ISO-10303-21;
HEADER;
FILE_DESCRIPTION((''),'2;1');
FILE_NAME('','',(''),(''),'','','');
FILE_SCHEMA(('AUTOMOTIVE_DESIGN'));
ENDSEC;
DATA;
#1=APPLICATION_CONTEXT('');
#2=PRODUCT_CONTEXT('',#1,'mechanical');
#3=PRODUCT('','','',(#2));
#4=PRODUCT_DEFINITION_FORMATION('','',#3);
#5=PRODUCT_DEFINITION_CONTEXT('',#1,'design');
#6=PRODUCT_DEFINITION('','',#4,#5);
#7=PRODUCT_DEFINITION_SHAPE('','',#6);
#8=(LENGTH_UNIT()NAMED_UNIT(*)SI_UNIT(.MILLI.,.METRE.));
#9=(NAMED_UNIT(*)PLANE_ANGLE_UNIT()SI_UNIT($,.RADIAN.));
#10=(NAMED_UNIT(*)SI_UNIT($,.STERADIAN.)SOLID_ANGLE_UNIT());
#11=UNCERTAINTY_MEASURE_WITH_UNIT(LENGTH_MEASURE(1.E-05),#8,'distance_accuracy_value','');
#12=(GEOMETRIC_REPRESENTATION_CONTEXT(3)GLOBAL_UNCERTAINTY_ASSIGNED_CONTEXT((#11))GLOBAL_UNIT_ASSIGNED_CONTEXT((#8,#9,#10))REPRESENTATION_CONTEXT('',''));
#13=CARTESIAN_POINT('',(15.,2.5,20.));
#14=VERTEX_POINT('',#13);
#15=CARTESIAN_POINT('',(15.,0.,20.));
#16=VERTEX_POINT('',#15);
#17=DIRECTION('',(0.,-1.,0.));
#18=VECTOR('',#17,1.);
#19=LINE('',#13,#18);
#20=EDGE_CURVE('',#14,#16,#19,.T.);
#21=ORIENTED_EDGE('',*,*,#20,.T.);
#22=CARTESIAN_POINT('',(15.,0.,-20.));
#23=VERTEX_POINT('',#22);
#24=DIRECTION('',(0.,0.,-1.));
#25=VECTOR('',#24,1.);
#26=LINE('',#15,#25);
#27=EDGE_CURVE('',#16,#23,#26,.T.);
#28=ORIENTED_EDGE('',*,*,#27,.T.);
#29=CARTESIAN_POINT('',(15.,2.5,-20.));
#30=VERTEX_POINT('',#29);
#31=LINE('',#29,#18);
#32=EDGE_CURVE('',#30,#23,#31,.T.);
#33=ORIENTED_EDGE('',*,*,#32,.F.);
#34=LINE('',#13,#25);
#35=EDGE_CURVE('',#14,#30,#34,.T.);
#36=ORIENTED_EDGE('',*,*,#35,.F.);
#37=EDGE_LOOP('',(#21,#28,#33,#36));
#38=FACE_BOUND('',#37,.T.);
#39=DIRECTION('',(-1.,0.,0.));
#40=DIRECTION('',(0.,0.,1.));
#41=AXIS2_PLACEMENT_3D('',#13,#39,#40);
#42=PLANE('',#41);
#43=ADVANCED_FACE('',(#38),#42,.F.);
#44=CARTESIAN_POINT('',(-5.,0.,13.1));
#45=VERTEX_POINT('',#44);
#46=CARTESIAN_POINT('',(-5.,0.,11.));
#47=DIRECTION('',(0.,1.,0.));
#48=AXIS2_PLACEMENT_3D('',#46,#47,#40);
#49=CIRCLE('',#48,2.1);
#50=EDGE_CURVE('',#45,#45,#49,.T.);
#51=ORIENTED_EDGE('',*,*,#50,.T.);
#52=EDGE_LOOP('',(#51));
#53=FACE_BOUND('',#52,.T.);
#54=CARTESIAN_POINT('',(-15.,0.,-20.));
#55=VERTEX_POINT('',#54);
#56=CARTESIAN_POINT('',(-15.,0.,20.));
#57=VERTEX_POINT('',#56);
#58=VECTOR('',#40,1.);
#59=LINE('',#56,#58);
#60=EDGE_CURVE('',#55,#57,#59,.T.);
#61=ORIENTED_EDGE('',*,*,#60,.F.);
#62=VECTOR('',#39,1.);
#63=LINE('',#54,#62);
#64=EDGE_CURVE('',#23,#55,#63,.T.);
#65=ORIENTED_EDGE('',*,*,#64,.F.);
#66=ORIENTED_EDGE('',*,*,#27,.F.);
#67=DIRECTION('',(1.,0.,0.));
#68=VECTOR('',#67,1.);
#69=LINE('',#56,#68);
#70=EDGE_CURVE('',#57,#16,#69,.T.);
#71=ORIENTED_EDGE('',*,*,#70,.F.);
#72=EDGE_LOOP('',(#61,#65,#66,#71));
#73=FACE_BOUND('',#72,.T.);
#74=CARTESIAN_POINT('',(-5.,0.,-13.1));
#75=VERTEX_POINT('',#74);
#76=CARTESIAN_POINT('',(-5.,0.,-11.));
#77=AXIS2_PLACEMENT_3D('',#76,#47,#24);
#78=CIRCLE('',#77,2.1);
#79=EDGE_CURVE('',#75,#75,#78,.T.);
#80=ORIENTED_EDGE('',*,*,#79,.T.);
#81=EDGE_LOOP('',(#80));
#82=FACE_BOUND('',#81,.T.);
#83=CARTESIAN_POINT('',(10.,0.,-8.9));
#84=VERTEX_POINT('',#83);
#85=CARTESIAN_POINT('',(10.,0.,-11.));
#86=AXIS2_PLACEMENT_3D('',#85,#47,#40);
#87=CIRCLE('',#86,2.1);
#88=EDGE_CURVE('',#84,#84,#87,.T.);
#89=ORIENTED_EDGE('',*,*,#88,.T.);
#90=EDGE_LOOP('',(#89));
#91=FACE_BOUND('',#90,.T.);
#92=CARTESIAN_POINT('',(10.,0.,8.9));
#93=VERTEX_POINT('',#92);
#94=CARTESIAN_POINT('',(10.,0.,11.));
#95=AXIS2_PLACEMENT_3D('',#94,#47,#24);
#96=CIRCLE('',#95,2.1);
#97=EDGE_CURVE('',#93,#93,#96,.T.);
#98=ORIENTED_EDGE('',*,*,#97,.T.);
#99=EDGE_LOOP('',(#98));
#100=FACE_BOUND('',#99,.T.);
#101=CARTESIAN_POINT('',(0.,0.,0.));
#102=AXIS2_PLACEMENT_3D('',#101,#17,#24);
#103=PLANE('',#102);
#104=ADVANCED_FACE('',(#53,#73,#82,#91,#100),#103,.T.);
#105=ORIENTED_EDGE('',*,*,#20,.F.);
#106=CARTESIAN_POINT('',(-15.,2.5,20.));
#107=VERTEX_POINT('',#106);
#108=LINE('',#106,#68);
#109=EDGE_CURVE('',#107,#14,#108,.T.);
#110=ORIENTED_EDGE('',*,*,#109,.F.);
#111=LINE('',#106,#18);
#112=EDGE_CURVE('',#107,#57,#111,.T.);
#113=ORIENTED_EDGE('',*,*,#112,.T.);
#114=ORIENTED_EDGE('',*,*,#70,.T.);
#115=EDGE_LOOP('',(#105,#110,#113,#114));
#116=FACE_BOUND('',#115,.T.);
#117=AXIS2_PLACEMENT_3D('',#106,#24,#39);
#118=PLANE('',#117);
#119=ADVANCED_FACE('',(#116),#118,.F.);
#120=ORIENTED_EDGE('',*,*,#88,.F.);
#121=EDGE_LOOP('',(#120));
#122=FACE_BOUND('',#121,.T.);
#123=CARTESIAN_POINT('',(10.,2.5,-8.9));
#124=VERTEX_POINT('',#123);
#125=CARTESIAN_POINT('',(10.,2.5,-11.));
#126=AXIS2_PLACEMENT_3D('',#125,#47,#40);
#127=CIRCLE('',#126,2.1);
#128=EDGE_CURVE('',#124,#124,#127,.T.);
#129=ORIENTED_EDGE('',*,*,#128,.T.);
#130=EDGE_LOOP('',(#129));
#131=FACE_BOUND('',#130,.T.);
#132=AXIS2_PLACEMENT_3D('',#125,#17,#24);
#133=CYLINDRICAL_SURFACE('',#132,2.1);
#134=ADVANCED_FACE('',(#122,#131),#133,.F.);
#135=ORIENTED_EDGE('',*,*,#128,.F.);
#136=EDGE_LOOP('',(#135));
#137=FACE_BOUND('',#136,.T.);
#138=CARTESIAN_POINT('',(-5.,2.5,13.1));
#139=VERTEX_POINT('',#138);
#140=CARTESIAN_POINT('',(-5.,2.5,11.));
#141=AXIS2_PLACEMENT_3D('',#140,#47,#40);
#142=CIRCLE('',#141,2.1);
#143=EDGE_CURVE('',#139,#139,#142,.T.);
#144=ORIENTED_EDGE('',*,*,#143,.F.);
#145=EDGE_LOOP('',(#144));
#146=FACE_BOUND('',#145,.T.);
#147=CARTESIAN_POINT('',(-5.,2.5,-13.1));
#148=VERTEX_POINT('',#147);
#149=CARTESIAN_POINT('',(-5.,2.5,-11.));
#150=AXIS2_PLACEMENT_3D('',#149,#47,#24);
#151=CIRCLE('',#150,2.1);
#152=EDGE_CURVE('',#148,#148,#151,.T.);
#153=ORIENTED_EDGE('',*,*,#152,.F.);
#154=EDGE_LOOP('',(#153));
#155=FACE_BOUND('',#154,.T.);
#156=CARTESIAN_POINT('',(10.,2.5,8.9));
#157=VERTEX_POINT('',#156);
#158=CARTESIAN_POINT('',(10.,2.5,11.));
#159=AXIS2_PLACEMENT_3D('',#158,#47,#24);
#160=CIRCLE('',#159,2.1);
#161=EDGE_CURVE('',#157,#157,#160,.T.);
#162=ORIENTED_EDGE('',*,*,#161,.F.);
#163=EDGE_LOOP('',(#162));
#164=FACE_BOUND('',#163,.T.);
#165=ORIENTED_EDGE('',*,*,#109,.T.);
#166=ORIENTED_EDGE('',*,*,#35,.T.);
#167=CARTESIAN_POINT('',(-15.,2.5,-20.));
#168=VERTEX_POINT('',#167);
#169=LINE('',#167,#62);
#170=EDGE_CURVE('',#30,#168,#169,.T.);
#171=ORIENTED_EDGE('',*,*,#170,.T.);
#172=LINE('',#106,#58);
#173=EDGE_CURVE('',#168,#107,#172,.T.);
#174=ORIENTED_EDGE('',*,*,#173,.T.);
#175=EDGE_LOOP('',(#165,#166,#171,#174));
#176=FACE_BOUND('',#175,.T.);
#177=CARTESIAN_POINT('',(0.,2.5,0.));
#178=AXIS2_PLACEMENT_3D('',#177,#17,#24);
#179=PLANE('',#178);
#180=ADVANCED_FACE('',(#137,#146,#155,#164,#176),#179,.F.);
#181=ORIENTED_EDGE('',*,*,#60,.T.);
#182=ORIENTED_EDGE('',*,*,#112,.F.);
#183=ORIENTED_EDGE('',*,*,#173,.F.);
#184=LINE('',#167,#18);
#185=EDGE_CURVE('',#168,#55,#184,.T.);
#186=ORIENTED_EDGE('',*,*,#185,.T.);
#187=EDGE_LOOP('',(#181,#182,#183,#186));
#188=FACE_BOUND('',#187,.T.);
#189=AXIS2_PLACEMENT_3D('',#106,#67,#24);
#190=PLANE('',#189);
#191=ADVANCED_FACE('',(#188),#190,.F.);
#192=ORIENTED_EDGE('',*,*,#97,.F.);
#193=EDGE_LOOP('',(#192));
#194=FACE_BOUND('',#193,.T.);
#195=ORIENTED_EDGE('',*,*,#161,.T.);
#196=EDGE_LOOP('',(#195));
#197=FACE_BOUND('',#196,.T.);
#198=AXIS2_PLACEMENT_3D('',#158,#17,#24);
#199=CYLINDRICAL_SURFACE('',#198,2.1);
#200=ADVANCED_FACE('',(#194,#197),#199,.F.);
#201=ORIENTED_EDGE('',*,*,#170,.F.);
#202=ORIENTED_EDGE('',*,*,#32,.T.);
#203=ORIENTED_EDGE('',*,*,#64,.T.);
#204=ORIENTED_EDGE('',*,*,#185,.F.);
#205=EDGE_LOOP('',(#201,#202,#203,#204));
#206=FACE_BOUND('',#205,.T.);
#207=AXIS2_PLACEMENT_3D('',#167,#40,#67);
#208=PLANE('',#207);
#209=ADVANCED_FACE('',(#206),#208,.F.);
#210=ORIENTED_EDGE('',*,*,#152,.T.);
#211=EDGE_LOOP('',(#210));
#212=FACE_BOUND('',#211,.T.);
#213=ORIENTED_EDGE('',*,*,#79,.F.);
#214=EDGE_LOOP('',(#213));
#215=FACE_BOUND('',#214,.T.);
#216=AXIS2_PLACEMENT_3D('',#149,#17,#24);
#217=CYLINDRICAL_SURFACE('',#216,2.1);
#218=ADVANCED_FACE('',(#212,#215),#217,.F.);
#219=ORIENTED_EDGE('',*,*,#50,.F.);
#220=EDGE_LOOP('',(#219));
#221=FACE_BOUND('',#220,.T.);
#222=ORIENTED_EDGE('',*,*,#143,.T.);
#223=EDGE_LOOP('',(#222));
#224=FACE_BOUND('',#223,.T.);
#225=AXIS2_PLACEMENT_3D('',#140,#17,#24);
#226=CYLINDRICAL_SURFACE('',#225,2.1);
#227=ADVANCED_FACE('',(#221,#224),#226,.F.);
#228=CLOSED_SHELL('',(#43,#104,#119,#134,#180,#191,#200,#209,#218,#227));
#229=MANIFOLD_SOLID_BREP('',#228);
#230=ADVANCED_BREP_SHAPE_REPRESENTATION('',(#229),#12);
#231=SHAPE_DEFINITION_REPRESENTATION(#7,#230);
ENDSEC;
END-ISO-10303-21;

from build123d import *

# Parameters (mm, degrees)
SKETCH1_W           = 30
SKETCH1_H           = 40
SKETCH1_R           = 2.1
BOSS_EXTRUDE1_DEPTH = 2.5


with BuildPart() as part:
    # Sketch1 → Boss-Extrude1 (new body)
    with BuildSketch(Plane(origin=(0, 0, 0), x_dir=(1, 0, 0), z_dir=(0, 1, 0))):
        Rectangle(SKETCH1_W, SKETCH1_H)
        with Locations(Location((10, 11, 0), (0, 0, 270))):
            Circle(SKETCH1_R, mode=Mode.SUBTRACT)
        with Locations(Location((-5, 11, 0), (0, 0, 90))):
            Circle(SKETCH1_R, mode=Mode.SUBTRACT)
        with Locations(Location((10, -11, 0), (0, 0, 90))):
            Circle(SKETCH1_R, mode=Mode.SUBTRACT)
        with Locations(Location((-5, -11, 0), (0, 0, 270))):
            Circle(SKETCH1_R, mode=Mode.SUBTRACT)
    extrude(amount=BOSS_EXTRUDE1_DEPTH)


solid = part.part
